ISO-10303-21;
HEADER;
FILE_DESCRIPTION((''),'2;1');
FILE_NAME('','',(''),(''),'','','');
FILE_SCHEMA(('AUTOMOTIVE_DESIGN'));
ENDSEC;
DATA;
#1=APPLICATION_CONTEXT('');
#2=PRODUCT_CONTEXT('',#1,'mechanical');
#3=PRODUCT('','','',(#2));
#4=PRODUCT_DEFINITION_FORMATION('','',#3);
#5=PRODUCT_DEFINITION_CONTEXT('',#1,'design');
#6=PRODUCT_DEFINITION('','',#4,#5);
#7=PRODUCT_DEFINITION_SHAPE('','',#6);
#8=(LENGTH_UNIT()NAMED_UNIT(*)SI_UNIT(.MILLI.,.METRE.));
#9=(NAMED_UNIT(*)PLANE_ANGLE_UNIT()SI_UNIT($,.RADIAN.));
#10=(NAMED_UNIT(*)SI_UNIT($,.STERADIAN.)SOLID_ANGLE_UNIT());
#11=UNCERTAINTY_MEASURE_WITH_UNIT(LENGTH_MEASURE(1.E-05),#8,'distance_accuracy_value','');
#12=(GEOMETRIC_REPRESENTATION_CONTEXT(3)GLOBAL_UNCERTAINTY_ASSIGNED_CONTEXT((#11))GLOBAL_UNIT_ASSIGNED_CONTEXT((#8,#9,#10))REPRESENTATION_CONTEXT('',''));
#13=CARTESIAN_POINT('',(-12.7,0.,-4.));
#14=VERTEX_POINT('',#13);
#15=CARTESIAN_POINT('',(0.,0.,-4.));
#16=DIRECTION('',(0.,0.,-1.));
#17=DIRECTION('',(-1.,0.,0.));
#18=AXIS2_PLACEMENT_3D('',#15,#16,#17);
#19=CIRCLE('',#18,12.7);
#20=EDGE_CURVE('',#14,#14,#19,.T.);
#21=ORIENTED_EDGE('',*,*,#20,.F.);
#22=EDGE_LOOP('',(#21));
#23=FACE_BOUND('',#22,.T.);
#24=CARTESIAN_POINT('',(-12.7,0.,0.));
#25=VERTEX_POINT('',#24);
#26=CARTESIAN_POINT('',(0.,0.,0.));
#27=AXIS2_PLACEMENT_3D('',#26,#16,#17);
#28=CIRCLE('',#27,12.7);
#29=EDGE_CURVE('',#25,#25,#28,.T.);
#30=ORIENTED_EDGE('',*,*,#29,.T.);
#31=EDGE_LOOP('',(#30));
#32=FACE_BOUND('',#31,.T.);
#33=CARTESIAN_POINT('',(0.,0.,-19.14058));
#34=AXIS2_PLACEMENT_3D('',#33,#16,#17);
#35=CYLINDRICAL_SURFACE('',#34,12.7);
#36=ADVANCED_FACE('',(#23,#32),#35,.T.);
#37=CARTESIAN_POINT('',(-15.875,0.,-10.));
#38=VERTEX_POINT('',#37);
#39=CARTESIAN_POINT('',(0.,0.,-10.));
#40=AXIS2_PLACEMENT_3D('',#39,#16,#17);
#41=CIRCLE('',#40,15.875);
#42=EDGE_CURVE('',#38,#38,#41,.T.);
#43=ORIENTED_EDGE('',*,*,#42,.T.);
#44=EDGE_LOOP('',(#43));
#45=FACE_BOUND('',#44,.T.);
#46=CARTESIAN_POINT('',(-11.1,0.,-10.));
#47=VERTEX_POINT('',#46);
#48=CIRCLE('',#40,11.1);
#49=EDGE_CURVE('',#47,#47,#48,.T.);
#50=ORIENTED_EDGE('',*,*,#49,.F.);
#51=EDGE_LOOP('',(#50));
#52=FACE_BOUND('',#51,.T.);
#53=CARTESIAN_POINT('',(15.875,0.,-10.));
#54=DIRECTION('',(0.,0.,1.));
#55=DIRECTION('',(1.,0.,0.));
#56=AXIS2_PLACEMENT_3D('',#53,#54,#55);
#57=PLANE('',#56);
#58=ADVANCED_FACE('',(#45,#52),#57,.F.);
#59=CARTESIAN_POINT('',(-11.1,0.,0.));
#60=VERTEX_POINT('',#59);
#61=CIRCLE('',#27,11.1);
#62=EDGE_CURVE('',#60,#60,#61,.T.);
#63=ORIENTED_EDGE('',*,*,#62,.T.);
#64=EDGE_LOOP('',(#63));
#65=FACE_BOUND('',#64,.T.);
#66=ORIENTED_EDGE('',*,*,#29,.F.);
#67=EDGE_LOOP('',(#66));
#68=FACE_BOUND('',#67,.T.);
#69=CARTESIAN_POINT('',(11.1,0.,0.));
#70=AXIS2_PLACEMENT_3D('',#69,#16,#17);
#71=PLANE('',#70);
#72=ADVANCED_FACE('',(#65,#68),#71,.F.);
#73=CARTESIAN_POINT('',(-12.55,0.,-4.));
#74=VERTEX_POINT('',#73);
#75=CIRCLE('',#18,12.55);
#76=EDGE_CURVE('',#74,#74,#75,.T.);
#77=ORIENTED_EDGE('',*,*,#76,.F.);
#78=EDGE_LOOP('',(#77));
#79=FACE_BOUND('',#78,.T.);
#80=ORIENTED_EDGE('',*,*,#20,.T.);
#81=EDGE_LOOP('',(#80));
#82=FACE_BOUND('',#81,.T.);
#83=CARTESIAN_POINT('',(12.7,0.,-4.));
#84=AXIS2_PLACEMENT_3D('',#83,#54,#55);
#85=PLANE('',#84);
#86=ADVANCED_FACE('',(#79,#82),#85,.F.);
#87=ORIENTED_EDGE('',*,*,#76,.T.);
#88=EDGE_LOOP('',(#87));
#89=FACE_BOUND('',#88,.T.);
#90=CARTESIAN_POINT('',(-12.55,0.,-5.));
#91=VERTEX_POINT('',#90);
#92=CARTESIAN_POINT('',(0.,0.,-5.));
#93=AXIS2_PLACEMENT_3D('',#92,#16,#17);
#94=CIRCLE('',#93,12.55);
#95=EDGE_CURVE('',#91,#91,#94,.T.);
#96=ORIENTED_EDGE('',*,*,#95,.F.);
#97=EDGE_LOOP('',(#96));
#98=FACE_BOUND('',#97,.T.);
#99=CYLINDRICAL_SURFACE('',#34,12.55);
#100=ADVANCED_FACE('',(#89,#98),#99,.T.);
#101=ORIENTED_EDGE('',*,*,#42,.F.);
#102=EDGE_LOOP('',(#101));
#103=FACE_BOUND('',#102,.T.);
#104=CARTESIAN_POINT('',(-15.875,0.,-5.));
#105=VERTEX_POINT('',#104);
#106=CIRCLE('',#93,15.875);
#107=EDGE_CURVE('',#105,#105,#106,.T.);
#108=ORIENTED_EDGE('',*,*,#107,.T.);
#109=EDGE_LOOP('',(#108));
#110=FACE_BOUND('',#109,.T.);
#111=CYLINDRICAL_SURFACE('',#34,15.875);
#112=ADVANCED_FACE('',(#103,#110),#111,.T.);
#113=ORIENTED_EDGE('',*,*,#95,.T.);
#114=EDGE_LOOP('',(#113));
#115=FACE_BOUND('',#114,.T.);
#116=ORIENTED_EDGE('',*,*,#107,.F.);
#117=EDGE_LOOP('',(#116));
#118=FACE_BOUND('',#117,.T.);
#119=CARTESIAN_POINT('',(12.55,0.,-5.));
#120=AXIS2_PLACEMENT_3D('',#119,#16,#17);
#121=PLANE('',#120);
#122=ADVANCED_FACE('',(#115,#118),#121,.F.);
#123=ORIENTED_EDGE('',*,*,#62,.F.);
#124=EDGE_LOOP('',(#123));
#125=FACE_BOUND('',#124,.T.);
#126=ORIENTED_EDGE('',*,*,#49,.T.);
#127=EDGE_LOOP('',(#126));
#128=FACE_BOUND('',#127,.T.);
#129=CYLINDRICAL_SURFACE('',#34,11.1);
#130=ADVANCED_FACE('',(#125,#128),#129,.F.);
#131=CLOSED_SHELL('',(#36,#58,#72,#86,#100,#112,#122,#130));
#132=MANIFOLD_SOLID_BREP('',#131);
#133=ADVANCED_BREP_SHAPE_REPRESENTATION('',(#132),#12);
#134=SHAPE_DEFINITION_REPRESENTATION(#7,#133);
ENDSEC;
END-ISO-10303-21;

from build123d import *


with BuildPart() as part:
    # 草图1 → 旋转1 (revolve)
    with BuildSketch(Plane(origin=(0, 0, 0), x_dir=(1, 0, 0), z_dir=(0, 1, 0)), mode=Mode.PRIVATE) as revolve_1_sk:
        Polygon((11.1, 0), (11.1, 10), (15.875, 10), (15.875, 5), (12.55, 5), (12.55, 4), (12.7, 4), (12.7, 0), align=None)
    revolve(revolve_1_sk.sketch.rotate(Axis((0, 0, -19.14057971), (0, 0, 1)), 180), axis=Axis((0, 0, -19.14057971), (0, 0, 1)))  # turned: the seam where the file's is


solid = part.part
